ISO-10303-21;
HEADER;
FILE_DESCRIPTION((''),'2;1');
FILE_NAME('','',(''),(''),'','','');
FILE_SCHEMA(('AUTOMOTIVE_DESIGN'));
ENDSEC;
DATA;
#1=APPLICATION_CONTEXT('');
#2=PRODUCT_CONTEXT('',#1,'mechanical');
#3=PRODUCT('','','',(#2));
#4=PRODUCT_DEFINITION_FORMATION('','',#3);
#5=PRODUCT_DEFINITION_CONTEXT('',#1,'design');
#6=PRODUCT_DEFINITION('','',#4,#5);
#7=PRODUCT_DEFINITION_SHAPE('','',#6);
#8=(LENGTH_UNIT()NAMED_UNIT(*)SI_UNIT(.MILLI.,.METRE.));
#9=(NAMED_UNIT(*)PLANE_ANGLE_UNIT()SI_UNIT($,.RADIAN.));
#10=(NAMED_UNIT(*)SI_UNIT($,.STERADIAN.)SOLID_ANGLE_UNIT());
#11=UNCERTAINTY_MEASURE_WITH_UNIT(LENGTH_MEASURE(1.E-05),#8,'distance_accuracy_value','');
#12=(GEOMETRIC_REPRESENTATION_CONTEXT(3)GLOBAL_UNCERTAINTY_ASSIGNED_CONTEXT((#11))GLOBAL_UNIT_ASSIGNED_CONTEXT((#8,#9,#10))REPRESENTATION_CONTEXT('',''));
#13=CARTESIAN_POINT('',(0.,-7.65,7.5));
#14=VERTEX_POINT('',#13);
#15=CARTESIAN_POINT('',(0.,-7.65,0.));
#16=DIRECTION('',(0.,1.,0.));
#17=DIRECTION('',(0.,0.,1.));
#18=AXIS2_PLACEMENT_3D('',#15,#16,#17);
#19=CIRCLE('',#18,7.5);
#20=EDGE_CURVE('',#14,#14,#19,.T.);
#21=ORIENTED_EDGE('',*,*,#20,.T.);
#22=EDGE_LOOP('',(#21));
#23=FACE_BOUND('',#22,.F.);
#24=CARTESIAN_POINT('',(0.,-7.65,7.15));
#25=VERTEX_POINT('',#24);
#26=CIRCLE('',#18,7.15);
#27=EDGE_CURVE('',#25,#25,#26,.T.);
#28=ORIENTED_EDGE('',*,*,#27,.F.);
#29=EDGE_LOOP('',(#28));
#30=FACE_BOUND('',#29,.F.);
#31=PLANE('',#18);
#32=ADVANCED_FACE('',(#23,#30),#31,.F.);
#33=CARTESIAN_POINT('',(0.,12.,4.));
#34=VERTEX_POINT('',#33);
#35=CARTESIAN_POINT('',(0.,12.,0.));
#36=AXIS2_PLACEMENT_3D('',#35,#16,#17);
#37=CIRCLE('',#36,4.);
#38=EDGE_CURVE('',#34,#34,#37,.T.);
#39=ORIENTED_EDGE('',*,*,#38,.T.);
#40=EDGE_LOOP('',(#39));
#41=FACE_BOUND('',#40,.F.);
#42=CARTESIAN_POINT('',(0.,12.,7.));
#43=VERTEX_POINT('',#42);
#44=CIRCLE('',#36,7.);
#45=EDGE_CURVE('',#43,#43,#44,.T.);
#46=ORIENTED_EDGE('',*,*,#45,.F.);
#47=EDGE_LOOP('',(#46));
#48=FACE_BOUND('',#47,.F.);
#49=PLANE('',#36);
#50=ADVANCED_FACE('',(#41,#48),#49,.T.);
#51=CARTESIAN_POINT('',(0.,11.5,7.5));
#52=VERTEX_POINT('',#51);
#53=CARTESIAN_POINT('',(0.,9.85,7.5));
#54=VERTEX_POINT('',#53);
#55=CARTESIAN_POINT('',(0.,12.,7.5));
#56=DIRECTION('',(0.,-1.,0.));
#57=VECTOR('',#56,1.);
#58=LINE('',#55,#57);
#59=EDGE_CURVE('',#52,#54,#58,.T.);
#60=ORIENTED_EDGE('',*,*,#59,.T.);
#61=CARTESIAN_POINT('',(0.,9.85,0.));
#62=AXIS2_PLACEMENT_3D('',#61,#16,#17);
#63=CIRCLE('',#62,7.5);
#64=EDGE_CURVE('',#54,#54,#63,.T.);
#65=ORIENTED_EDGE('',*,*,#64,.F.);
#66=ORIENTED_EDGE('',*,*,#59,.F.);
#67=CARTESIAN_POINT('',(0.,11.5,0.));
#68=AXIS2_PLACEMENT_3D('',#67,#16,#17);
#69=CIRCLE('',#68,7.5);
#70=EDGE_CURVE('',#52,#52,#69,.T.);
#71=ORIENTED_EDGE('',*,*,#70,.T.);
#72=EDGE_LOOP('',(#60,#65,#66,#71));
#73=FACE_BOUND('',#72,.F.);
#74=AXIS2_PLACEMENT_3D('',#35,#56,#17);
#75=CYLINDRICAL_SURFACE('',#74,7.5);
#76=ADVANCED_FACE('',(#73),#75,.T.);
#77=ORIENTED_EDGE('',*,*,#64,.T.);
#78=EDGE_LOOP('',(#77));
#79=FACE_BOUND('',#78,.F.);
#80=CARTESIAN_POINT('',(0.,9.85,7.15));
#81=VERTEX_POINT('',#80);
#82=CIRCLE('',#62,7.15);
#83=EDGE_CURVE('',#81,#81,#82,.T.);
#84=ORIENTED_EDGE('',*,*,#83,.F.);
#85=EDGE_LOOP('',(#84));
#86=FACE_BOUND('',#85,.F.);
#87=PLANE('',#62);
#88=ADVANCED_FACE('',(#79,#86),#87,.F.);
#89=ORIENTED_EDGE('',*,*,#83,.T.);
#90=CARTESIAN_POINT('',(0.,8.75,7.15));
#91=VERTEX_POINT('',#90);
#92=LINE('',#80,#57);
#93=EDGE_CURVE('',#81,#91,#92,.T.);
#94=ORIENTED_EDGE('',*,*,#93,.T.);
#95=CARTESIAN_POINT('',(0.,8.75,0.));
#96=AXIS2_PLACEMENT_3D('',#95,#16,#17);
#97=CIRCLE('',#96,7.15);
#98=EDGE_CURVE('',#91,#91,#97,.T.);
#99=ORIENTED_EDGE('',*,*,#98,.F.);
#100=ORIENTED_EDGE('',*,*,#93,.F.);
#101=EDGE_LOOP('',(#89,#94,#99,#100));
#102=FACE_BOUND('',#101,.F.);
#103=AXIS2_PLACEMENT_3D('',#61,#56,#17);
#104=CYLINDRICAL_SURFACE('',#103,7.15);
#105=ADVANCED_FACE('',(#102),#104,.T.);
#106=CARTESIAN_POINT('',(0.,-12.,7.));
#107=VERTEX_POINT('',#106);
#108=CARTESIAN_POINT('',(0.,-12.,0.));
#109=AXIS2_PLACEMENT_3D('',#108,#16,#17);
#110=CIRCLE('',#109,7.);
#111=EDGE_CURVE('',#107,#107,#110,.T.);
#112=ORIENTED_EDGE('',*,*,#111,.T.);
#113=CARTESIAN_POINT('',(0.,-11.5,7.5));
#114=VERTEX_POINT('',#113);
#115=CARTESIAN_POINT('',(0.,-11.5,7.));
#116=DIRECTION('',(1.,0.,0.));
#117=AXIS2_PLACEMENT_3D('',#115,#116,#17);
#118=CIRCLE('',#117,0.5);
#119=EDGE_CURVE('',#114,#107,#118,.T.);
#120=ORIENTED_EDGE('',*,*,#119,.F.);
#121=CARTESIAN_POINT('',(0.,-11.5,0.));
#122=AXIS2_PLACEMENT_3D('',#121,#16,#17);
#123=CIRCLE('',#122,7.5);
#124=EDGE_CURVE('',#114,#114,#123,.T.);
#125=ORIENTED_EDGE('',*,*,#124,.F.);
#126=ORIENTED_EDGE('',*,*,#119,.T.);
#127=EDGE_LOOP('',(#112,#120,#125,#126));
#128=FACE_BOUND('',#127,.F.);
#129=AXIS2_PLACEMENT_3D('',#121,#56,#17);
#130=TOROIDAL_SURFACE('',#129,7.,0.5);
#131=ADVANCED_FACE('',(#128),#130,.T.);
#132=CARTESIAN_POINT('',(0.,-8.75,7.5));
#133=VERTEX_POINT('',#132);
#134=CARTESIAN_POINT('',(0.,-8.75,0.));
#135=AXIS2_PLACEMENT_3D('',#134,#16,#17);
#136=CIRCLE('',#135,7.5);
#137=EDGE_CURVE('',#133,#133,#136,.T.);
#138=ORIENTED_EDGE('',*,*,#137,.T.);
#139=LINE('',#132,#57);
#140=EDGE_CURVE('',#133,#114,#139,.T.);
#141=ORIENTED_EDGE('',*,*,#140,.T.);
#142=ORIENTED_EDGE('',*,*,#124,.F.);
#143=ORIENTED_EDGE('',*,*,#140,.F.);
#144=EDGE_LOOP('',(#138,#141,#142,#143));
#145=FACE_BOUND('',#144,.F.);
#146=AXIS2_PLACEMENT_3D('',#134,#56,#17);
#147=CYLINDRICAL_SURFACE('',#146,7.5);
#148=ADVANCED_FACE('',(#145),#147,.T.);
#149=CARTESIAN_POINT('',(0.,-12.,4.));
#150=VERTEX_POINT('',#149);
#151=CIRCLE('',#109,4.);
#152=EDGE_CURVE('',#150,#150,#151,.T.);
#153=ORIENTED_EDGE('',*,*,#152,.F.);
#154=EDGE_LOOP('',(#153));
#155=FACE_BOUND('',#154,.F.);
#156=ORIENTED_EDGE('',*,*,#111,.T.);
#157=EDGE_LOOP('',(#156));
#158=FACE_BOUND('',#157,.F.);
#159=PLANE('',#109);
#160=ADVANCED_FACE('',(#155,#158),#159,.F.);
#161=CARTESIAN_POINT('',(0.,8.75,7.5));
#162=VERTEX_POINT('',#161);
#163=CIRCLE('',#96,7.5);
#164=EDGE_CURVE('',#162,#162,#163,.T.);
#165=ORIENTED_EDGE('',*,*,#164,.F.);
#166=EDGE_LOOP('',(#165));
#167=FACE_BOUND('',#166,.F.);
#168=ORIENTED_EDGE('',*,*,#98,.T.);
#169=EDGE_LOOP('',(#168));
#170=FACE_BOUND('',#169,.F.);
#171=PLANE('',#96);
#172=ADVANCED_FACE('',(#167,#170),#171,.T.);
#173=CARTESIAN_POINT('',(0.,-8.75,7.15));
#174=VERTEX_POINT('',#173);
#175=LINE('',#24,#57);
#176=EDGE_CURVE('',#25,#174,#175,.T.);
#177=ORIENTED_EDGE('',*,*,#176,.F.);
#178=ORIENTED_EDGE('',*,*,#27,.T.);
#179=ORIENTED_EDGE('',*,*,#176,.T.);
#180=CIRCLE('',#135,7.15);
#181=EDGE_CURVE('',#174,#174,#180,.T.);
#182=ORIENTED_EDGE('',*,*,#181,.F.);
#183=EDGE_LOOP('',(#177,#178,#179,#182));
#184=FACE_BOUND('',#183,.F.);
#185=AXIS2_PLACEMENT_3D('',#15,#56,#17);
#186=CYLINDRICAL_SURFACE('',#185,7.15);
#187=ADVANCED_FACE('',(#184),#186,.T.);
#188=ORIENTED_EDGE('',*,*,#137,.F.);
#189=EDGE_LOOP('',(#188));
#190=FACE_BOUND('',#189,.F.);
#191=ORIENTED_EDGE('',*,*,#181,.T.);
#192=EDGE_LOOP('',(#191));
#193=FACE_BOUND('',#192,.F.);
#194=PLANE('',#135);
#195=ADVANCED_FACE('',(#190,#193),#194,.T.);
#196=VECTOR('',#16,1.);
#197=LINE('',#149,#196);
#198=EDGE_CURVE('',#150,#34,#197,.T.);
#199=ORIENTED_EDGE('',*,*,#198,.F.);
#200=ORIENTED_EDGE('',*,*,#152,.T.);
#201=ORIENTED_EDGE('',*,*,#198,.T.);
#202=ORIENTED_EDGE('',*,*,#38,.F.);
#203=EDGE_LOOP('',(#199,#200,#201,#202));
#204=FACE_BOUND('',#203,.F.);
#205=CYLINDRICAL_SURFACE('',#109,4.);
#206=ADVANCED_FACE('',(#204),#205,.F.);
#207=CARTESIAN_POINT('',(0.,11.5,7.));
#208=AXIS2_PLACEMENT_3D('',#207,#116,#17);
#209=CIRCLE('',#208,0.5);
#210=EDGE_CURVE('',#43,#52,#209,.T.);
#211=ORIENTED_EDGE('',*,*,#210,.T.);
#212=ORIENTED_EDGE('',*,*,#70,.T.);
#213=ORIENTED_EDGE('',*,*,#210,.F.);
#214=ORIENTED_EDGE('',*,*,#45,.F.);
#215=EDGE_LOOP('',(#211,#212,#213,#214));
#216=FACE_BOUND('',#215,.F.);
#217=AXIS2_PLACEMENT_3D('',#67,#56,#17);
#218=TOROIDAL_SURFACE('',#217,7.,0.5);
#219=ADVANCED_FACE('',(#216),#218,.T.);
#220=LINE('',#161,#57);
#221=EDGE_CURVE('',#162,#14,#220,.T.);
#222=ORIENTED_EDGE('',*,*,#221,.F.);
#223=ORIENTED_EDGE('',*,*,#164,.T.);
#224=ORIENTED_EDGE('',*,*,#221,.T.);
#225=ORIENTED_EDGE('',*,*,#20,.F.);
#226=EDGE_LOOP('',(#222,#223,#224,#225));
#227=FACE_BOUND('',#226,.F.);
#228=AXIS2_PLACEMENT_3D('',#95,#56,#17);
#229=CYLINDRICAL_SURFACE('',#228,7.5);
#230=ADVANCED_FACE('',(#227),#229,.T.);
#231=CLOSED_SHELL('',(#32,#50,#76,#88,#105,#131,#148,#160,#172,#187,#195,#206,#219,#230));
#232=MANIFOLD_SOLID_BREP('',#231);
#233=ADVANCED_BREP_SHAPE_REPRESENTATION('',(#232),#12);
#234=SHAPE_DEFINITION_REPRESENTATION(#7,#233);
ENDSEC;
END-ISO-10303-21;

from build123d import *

# Parameters (mm, degrees)
F2_R = 0.5


with BuildPart() as f1:
    # F0 (on Right) → F1 (revolve)
    with BuildSketch(Plane.YZ):
        Polygon((-8.75, 7.5), (-12, 7.5), (-12, 4), (12, 4), (12, 7.5), (9.85, 7.5), (9.85, 7.15), (8.75, 7.15), (8.75, 7.5), (-7.65, 7.5), (-7.65, 7.15), (-8.75, 7.15), align=None)
    revolve(axis=Axis((0, 2.064935, 0), (0, 1, 0)))

    # F2
    f2_edges = [f1.edges().sort_by_distance(p)[0] for p in [
        (0, 12, -7.5),
        (0, -12, -7.5),
    ]]
    fillet(f2_edges, radius=F2_R)


solid = f1.part
